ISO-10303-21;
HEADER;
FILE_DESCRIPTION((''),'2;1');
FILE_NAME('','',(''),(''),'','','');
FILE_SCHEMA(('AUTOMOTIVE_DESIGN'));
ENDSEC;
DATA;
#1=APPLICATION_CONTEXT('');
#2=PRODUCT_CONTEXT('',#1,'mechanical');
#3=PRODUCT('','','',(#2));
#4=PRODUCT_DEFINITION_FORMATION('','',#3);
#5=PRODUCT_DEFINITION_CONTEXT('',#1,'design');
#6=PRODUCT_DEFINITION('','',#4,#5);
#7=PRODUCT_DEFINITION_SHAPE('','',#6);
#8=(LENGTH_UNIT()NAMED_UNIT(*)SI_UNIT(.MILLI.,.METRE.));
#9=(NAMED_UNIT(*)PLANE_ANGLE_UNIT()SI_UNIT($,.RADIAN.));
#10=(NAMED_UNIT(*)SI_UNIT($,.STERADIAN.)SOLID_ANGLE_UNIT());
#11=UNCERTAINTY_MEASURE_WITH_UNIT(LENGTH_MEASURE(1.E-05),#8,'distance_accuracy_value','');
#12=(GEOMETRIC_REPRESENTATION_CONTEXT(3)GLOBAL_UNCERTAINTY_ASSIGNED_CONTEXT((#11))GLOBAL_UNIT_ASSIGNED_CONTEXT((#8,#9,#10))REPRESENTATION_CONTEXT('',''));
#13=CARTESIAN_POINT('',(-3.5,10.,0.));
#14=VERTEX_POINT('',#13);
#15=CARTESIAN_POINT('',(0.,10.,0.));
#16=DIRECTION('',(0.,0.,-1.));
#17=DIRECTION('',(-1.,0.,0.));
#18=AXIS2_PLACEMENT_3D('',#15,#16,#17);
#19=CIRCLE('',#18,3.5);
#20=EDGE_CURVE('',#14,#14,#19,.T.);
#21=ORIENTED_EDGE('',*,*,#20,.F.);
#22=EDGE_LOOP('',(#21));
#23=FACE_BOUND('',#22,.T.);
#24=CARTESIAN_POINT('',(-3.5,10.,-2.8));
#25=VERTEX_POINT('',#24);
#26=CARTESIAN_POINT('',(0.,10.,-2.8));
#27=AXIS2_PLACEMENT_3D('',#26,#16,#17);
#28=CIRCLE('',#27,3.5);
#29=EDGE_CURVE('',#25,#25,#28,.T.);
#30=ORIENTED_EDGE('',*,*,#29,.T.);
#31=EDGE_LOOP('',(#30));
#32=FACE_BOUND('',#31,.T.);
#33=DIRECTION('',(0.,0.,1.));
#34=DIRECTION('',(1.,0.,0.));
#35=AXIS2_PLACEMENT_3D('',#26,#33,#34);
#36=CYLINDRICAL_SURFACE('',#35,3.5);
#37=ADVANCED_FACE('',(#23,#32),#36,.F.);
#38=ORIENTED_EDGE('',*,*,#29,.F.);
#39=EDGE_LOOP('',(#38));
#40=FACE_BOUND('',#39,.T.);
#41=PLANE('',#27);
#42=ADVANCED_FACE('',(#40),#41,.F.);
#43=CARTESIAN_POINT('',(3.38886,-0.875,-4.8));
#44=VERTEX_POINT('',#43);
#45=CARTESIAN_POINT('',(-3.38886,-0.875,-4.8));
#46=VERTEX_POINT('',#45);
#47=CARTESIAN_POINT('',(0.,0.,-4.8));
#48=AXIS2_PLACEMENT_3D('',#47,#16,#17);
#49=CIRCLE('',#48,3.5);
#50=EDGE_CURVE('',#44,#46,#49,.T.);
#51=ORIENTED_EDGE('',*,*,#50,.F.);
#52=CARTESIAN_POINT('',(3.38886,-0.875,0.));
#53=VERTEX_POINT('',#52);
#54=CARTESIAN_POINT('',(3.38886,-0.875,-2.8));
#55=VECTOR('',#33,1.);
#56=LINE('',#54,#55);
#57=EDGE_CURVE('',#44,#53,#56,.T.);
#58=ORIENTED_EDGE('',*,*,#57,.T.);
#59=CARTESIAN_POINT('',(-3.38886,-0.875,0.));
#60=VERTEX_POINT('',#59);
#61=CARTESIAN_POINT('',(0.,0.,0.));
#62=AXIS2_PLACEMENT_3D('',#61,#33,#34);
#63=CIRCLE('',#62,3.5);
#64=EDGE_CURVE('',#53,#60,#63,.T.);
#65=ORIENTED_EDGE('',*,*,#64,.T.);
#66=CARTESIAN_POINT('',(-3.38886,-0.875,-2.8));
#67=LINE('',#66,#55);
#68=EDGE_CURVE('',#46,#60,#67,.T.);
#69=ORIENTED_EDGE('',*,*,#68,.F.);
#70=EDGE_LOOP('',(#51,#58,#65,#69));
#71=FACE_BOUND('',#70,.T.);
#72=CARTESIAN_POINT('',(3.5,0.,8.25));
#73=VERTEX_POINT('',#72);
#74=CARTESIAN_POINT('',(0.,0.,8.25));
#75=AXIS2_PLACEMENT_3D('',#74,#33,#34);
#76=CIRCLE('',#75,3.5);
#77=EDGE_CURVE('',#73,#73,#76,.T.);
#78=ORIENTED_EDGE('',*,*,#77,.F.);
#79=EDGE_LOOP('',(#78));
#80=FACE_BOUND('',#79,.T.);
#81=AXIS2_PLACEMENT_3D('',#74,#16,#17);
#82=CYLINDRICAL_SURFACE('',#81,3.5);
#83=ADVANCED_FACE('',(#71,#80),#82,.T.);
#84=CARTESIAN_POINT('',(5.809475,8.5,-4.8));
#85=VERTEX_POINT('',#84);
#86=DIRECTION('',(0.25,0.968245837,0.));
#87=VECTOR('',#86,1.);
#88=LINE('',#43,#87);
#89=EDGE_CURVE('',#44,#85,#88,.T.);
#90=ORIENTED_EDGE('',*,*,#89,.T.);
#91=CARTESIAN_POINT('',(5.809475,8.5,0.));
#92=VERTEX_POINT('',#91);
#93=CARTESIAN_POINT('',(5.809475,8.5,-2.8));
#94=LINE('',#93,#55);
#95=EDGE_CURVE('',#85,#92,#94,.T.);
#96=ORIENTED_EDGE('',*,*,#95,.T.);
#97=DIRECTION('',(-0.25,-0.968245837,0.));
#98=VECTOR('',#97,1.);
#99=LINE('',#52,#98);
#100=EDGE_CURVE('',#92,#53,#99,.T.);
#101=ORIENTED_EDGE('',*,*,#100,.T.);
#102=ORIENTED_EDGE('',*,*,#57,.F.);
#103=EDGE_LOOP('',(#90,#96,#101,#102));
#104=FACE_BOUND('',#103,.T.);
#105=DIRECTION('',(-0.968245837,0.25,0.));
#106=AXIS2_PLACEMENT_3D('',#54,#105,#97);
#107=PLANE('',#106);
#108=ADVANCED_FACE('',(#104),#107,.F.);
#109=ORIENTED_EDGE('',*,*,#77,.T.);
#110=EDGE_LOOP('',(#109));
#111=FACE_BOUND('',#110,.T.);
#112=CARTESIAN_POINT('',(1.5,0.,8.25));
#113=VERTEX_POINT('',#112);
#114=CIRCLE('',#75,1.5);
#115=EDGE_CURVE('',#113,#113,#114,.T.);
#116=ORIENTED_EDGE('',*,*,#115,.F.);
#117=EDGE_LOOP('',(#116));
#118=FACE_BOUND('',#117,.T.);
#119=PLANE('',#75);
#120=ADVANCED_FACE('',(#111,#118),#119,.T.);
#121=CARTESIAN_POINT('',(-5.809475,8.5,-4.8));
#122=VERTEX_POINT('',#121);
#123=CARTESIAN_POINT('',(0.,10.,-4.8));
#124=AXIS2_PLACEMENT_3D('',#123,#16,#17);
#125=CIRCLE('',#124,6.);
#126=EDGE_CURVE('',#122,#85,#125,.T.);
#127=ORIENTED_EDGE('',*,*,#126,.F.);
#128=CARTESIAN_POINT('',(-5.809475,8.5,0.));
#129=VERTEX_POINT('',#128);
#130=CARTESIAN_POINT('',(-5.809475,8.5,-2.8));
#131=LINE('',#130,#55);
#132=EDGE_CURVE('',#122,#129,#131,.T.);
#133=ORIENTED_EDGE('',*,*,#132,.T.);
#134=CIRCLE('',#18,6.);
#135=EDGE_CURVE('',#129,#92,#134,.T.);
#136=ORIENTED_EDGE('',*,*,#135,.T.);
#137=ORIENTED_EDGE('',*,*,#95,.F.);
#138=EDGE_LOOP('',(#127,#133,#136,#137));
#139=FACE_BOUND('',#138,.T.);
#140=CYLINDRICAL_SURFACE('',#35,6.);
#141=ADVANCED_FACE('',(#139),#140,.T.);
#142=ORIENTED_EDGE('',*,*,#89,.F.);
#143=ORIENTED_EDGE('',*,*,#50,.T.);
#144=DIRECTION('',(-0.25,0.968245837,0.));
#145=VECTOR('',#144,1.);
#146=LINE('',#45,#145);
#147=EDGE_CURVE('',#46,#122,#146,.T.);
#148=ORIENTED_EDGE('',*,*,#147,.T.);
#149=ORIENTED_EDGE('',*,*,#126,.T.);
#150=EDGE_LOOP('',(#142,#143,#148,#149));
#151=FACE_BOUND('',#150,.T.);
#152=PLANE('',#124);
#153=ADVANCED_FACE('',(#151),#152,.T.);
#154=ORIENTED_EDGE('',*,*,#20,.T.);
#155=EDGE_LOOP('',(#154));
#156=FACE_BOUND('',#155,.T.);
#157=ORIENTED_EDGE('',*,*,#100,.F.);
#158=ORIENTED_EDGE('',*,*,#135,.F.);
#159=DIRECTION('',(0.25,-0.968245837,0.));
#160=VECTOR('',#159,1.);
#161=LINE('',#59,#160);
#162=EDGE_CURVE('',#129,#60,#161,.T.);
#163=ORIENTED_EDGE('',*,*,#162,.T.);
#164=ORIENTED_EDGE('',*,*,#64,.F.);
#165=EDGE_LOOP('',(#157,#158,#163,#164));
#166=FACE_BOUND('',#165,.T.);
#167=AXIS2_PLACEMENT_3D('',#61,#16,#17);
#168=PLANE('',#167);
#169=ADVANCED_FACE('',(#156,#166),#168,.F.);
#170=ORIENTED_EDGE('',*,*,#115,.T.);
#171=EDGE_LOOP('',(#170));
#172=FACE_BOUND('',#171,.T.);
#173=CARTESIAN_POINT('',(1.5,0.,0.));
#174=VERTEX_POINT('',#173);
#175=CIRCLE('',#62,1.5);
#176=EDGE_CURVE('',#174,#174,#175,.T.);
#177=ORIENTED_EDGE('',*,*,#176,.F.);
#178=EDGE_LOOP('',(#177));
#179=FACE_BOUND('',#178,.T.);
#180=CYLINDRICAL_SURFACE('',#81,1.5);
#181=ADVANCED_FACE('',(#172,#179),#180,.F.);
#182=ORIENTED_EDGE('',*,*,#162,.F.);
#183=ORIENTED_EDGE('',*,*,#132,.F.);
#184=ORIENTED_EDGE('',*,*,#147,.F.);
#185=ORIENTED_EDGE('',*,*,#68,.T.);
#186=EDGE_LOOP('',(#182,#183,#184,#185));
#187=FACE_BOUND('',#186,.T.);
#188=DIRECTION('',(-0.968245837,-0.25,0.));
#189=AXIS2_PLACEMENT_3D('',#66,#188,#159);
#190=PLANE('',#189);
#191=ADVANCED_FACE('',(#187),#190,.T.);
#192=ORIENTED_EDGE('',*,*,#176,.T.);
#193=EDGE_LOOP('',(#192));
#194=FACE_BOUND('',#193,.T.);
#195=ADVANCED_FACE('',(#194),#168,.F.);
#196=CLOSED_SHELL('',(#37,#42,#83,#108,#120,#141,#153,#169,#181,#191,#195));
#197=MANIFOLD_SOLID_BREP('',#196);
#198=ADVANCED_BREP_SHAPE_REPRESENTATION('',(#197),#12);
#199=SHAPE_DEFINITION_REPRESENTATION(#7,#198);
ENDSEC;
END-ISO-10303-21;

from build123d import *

# Parameters (mm, degrees)
SKETCH1_R           = 3.5
SKETCH1_R_2         = 1.5
BOSS_EXTRUDE1_DEPTH = 8.25
BOSS_EXTRUDE2_START = 2.8
SKETCH2_R           = 6
SKETCH2_R_2         = 3.5
SKETCH2_R_3         = 1.5
BOSS_EXTRUDE2_DEPTH = 2.8
BOSS_EXTRUDE3_START = 4.8
SKETCH2_3_R         = 6
SKETCH2_3_R_2       = 3.5
SKETCH2_3_R_3       = 1.5
BOSS_EXTRUDE3_DEPTH = 2


with BuildPart() as part:
    # Sketch1 → Boss-Extrude1 (new body)
    with BuildSketch(Plane.XY):
        Circle(SKETCH1_R)
        Circle(SKETCH1_R_2, mode=Mode.SUBTRACT)
    extrude(amount=BOSS_EXTRUDE1_DEPTH)

    # Sketch2 → Boss-Extrude2 (add)
    # profile 1 of 4: a face of its own
    with BuildSketch(Plane(origin=(0, 0, 0), x_dir=(-1, 0, 0), z_dir=(0, 0, -1)).offset(BOSS_EXTRUDE2_START)):
        with BuildLine():
            ThreePointArc((5.809475019, 8.5), (0, 4), (-5.809475019, 8.5))
            Line((-5.809475019, 8.5), (-3.388860428, -0.875))
            ThreePointArc((-3.388860428, -0.875), (-0.441015024, 3.472103937), (3.5, 0))
            ThreePointArc((3.5, 0), (3.472103937, -0.441015024), (3.388860428, -0.875))
            Line((3.388860428, -0.875), (5.809475019, 8.5))
        make_face()
    # profile 2 of 4: a face of its own
    with BuildSketch(Plane(origin=(0, 0, 0), x_dir=(-1, 0, 0), z_dir=(0, 0, -1)).offset(BOSS_EXTRUDE2_START)):
        with Locations((0, 10)):
            Circle(SKETCH2_R)
        with Locations((0, 10)):
            Circle(SKETCH2_R_2, mode=Mode.SUBTRACT)
    # profile 3 of 4: a face of its own
    with BuildSketch(Plane(origin=(0, 0, 0), x_dir=(-1, 0, 0), z_dir=(0, 0, -1)).offset(BOSS_EXTRUDE2_START)):
        with Locations(Location((0, 0, 0), (0, 0, 345.522487814))):
            Circle(SKETCH2_R_2)
        with Locations(Location((0, 0, 0), (0, 0, 180))):
            Circle(SKETCH2_R_3, mode=Mode.SUBTRACT)
    # profile 4 of 4: a face of its own
    with BuildSketch(Plane(origin=(0, 0, 0), x_dir=(-1, 0, 0), z_dir=(0, 0, -1)).offset(BOSS_EXTRUDE2_START)):
        with Locations(Location((0, 0, 0), (0, 0, 180))):
            Circle(SKETCH2_R_3)
    extrude(amount=-BOSS_EXTRUDE2_DEPTH)

    # Sketch2<3> → Boss-Extrude3 (add)
    # profile 1 of 5: a face of its own
    with BuildSketch(Plane(origin=(0, 0, 0), x_dir=(-1, 0, 0), z_dir=(0, 0, -1)).offset(BOSS_EXTRUDE3_START)):
        with Locations((0, 10)):
            Circle(SKETCH2_3_R)
        with Locations((0, 10)):
            Circle(SKETCH2_3_R_2, mode=Mode.SUBTRACT)
    # profile 2 of 5: a face of its own
    with BuildSketch(Plane(origin=(0, 0, 0), x_dir=(-1, 0, 0), z_dir=(0, 0, -1)).offset(BOSS_EXTRUDE3_START)):
        with BuildLine():
            ThreePointArc((5.809475019, 8.5), (0, 4), (-5.809475019, 8.5))
            Line((-5.809475019, 8.5), (-3.388860428, -0.875))
            ThreePointArc((-3.388860428, -0.875), (-0.441015024, 3.472103937), (3.5, 0))
            ThreePointArc((3.5, 0), (3.472103937, -0.441015024), (3.388860428, -0.875))
            Line((3.388860428, -0.875), (5.809475019, 8.5))
        make_face()
    # profile 3 of 5: a face of its own
    with BuildSketch(Plane(origin=(0, 0, 0), x_dir=(-1, 0, 0), z_dir=(0, 0, -1)).offset(BOSS_EXTRUDE3_START)):
        with Locations(Location((0, 0, 0), (0, 0, 345.522487814))):
            Circle(SKETCH2_3_R_2)
        with Locations(Location((0, 0, 0), (0, 0, 180))):
            Circle(SKETCH2_3_R_3, mode=Mode.SUBTRACT)
    # profile 4 of 5: a face of its own
    with BuildSketch(Plane(origin=(0, 0, 0), x_dir=(-1, 0, 0), z_dir=(0, 0, -1)).offset(BOSS_EXTRUDE3_START)):
        with Locations((0, 10)):
            Circle(SKETCH2_3_R_2)
    # profile 5 of 5: a face of its own
    with BuildSketch(Plane(origin=(0, 0, 0), x_dir=(-1, 0, 0), z_dir=(0, 0, -1)).offset(BOSS_EXTRUDE3_START)):
        with Locations(Location((0, 0, 0), (0, 0, 180))):
            Circle(SKETCH2_3_R_3)
    extrude(amount=-BOSS_EXTRUDE3_DEPTH)


solid = part.part
